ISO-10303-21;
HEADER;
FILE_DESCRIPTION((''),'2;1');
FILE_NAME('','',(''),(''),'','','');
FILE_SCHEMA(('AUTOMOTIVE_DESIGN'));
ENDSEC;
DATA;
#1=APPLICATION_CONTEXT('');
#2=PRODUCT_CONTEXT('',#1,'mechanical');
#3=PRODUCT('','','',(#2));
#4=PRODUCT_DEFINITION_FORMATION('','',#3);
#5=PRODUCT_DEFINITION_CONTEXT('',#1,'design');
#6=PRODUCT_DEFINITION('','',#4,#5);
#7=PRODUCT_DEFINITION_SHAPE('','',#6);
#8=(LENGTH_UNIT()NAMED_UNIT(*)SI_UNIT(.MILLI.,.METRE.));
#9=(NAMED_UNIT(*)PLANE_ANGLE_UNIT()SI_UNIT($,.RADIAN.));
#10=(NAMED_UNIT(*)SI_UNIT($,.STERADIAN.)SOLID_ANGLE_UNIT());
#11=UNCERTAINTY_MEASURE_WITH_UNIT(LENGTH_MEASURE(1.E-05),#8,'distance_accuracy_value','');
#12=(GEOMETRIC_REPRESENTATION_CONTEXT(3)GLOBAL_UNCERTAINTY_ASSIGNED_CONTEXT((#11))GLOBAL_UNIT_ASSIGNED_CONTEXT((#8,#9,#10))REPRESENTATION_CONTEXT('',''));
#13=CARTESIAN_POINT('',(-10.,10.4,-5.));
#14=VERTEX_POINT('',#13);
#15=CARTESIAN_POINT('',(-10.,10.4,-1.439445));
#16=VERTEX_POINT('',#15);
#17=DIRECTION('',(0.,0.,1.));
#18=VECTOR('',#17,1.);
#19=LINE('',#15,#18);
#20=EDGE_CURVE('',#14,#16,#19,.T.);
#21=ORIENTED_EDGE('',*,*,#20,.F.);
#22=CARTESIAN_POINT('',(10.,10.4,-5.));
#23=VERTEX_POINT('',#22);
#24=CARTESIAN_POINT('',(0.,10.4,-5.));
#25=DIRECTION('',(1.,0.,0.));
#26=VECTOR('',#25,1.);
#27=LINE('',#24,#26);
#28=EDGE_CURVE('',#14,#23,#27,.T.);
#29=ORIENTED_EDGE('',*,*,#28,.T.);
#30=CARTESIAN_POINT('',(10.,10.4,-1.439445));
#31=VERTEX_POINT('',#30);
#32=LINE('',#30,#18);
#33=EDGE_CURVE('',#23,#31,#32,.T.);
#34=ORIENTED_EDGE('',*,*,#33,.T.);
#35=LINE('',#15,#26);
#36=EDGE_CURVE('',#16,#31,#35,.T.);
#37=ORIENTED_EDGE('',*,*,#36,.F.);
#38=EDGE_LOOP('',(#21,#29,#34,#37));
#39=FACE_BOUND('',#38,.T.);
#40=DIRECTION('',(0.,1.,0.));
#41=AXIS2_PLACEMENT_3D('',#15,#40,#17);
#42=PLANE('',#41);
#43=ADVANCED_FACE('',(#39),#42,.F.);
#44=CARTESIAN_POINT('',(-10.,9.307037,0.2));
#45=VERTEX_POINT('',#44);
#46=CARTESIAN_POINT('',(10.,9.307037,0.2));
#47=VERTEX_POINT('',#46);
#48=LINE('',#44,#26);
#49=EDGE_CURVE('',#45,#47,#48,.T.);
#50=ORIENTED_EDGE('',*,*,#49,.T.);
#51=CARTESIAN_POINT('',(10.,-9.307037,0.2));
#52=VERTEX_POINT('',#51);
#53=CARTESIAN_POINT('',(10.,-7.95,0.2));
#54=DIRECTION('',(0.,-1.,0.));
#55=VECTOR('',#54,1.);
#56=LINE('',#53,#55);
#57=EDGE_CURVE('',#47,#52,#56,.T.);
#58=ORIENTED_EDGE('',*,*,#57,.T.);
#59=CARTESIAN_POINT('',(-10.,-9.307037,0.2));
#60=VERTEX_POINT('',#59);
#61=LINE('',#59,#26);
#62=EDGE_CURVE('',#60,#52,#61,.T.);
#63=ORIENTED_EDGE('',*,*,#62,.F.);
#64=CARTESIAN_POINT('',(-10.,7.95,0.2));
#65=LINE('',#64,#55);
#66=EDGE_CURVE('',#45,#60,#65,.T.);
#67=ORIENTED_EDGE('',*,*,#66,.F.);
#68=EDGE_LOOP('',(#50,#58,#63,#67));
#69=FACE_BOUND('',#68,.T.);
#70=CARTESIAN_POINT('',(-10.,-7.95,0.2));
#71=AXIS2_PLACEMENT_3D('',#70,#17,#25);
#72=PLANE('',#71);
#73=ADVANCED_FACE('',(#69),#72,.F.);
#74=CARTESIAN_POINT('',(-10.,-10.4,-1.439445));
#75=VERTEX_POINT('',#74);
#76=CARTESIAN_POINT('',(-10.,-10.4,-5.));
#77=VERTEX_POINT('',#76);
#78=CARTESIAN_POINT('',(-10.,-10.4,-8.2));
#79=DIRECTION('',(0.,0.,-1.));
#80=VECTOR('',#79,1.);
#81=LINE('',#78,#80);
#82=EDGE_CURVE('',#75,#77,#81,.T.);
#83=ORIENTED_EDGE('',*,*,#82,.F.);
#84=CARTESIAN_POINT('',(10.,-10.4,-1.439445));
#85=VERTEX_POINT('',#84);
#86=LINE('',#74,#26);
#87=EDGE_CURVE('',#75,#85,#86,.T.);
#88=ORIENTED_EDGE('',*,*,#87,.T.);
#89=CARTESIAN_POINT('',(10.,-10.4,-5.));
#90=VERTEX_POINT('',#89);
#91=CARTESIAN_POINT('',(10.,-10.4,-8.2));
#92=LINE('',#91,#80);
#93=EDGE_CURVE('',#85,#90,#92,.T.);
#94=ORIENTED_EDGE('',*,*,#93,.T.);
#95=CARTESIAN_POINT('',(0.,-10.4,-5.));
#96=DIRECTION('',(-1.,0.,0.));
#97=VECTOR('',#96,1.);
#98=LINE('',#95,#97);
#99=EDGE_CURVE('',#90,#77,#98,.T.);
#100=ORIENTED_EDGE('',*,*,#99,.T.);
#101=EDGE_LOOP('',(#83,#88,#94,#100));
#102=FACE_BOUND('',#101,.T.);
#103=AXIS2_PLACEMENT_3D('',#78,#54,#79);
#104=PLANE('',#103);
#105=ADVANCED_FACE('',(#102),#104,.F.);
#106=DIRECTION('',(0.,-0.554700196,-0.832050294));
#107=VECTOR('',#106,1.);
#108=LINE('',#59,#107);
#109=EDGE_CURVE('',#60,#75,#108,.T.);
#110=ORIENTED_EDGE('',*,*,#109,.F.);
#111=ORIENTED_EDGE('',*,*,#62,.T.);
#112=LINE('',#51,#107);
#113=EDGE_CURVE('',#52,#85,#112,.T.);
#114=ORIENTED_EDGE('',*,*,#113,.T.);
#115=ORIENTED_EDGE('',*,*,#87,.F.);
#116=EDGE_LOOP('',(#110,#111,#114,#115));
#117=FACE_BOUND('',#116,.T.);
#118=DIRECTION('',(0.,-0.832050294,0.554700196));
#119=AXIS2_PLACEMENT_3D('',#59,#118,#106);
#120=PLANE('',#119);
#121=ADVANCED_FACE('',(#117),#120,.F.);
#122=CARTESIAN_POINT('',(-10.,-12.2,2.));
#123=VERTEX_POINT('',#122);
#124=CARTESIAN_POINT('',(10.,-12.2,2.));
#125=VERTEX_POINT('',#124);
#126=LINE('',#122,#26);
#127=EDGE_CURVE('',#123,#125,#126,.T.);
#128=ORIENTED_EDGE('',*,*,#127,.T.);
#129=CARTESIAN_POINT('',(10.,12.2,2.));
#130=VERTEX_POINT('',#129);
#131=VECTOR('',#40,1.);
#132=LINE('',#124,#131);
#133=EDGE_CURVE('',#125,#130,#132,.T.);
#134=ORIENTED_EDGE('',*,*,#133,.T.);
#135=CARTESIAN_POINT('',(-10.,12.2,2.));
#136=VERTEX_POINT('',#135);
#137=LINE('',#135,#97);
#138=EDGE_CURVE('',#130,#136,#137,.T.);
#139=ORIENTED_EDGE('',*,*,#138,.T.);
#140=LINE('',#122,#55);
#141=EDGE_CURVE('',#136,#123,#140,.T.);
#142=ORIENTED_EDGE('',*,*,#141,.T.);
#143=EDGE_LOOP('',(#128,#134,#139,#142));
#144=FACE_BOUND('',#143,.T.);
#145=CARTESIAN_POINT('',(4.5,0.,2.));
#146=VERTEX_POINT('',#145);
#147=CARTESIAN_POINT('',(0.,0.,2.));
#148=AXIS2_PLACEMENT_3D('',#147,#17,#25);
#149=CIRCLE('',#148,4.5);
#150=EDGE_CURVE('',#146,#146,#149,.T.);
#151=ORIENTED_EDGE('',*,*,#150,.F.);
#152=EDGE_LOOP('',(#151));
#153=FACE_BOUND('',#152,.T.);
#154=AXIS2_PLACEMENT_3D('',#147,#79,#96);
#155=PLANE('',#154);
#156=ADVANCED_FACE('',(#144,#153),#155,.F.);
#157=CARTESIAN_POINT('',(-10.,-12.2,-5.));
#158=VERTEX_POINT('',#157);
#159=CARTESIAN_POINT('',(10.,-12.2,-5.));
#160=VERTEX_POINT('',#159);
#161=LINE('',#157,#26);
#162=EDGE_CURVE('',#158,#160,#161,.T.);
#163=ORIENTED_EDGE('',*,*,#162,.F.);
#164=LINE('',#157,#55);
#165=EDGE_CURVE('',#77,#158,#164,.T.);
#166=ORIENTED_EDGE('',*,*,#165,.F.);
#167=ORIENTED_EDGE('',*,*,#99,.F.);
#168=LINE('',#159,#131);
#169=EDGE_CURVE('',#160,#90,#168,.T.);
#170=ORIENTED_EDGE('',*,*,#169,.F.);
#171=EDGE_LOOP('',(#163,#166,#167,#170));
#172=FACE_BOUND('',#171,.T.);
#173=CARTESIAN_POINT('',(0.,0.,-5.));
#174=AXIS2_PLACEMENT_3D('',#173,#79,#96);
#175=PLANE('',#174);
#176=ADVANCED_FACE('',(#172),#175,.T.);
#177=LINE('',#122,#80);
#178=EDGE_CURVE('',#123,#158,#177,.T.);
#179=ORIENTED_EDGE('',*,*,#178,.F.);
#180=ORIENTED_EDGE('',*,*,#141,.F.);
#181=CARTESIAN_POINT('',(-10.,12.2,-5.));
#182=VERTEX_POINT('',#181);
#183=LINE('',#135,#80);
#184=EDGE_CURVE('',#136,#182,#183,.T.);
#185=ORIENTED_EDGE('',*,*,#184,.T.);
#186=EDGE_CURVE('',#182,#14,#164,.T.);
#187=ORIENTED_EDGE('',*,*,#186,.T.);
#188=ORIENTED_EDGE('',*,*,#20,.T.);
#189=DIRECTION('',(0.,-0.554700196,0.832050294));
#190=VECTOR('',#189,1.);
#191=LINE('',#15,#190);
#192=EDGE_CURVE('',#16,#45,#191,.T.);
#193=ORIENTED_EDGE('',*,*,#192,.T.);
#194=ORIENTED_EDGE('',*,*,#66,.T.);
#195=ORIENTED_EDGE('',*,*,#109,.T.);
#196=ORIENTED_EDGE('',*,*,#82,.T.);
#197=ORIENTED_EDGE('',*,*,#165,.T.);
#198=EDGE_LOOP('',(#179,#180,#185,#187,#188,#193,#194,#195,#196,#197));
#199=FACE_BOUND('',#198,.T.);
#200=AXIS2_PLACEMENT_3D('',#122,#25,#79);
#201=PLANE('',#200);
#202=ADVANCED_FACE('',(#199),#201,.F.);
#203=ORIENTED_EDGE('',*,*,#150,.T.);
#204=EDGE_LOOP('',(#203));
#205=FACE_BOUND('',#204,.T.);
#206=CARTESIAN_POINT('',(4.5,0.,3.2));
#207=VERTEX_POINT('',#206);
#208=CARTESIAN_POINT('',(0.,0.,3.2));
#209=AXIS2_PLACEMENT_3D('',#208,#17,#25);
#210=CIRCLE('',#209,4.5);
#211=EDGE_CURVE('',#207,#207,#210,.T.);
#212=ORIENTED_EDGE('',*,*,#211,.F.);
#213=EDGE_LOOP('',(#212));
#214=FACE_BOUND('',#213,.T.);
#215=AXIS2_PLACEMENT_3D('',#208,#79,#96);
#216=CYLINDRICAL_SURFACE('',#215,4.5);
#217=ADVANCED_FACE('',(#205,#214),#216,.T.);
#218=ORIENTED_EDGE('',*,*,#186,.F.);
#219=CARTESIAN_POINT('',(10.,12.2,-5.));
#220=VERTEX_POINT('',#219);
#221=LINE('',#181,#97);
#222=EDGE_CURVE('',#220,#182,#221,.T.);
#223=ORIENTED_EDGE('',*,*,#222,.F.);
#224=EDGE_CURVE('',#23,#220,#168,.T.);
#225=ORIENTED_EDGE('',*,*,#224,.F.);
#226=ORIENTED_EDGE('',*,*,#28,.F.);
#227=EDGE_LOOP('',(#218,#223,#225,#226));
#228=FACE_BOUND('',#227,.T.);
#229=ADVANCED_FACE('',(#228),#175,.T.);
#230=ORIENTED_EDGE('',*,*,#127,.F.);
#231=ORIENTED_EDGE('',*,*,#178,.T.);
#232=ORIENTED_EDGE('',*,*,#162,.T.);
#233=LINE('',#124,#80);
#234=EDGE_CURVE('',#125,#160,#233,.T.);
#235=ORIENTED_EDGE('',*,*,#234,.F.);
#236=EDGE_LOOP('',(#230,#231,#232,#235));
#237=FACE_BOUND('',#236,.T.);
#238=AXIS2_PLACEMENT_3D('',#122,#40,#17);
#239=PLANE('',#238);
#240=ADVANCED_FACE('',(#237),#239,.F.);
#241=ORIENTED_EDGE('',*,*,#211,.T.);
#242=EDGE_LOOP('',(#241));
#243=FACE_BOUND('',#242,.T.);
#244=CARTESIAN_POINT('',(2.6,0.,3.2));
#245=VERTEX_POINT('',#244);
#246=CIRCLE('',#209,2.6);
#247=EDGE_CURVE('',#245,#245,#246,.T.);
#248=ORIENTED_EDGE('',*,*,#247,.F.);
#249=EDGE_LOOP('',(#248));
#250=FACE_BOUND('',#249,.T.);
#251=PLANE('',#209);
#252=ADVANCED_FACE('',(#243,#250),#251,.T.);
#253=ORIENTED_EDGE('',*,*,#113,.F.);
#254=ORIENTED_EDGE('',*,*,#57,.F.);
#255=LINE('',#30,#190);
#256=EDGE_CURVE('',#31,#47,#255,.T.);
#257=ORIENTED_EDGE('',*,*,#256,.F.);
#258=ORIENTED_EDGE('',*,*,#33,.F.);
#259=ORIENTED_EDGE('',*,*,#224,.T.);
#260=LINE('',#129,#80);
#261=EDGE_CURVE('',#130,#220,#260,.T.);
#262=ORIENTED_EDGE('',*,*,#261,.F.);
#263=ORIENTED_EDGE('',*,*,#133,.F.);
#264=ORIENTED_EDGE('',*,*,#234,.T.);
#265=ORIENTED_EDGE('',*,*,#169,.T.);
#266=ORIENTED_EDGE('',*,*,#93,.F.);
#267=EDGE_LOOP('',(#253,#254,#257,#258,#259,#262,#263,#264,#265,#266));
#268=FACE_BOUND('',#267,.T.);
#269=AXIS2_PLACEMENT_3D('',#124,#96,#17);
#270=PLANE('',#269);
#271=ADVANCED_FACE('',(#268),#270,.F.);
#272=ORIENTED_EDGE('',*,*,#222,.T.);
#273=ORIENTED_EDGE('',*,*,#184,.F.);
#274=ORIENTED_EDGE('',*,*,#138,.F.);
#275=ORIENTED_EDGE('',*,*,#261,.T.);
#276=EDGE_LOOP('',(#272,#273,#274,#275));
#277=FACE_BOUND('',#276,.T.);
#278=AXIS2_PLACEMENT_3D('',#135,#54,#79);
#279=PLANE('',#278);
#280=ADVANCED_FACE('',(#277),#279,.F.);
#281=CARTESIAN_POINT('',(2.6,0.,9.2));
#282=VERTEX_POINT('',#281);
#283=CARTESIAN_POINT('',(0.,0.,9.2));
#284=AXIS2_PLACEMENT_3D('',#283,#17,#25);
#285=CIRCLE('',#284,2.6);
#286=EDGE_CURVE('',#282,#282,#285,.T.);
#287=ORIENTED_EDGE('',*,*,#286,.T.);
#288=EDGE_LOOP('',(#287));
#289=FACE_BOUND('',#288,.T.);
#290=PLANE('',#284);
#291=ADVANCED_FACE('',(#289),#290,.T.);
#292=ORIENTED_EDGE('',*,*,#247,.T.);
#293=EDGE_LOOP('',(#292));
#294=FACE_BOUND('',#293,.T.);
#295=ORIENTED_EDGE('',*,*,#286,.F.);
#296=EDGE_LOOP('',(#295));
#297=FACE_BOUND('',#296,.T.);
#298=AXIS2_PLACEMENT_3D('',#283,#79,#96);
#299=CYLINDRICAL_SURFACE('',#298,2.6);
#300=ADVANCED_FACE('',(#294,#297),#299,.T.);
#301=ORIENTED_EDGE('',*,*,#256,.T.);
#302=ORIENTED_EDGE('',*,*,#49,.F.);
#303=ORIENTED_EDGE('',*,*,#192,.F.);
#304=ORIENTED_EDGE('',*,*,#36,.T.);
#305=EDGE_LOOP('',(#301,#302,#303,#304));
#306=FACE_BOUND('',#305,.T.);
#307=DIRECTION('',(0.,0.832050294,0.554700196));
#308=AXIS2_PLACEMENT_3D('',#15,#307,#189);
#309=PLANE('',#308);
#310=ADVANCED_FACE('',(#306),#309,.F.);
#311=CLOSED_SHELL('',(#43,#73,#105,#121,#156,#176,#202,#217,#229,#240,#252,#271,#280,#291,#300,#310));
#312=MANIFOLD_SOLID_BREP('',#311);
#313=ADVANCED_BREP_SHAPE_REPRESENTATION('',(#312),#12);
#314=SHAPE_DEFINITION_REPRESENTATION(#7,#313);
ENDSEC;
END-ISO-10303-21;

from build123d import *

# Parameters (mm, degrees)
BOSS_EXTRUDE1_DEPTH      = 2
BOSS_EXTRUDE1_DEPTH_BACK = 5
SKETCH1_W                = 20
SKETCH1_H                = 24.4
CUT_EXTRUDE1_DEPTH       = 24.954957733
SKETCH4_R                = 4.5
BOSS_EXTRUDE2_DEPTH      = 1.2
SKETCH5_R                = 2.6
BOSS_EXTRUDE3_DEPTH      = 6


with BuildPart() as part:
    # Sketch1 → Boss-Extrude1 (new, two sides: drawn at the far end of the back side and taken through both)
    with BuildSketch(Plane.XY.offset(-BOSS_EXTRUDE1_DEPTH_BACK)):
        Rectangle(SKETCH1_W, SKETCH1_H)
    extrude(amount=BOSS_EXTRUDE1_DEPTH + BOSS_EXTRUDE1_DEPTH_BACK)

    # Sketch3 → Cut-Extrude1 (cut, through all)
    with BuildSketch(Plane(origin=(10, 0, 0), x_dir=(0, 0, -1), z_dir=(1, 0, 0))):
        Polygon((8.2, -10.4), (1.439444872, -10.4), (-0.2, -9.307036752), (-0.2, -7.95), (-0.2, -5.45), (-0.2, 5.45), (-0.2, 7.95), (-0.2, 9.307036752), (1.439444872, 10.4), (8.2, 10.4), align=None)
    extrude(amount=-CUT_EXTRUDE1_DEPTH, mode=Mode.SUBTRACT)

    # Sketch4 → Boss-Extrude2 (add)
    with BuildSketch(Plane.XY.offset(2)):
        Circle(SKETCH4_R)
    extrude(amount=BOSS_EXTRUDE2_DEPTH)

    # Sketch5 → Boss-Extrude3 (add)
    with BuildSketch(Plane.XY.offset(3.2)):
        Circle(SKETCH5_R)
    extrude(amount=BOSS_EXTRUDE3_DEPTH)


solid = part.part
